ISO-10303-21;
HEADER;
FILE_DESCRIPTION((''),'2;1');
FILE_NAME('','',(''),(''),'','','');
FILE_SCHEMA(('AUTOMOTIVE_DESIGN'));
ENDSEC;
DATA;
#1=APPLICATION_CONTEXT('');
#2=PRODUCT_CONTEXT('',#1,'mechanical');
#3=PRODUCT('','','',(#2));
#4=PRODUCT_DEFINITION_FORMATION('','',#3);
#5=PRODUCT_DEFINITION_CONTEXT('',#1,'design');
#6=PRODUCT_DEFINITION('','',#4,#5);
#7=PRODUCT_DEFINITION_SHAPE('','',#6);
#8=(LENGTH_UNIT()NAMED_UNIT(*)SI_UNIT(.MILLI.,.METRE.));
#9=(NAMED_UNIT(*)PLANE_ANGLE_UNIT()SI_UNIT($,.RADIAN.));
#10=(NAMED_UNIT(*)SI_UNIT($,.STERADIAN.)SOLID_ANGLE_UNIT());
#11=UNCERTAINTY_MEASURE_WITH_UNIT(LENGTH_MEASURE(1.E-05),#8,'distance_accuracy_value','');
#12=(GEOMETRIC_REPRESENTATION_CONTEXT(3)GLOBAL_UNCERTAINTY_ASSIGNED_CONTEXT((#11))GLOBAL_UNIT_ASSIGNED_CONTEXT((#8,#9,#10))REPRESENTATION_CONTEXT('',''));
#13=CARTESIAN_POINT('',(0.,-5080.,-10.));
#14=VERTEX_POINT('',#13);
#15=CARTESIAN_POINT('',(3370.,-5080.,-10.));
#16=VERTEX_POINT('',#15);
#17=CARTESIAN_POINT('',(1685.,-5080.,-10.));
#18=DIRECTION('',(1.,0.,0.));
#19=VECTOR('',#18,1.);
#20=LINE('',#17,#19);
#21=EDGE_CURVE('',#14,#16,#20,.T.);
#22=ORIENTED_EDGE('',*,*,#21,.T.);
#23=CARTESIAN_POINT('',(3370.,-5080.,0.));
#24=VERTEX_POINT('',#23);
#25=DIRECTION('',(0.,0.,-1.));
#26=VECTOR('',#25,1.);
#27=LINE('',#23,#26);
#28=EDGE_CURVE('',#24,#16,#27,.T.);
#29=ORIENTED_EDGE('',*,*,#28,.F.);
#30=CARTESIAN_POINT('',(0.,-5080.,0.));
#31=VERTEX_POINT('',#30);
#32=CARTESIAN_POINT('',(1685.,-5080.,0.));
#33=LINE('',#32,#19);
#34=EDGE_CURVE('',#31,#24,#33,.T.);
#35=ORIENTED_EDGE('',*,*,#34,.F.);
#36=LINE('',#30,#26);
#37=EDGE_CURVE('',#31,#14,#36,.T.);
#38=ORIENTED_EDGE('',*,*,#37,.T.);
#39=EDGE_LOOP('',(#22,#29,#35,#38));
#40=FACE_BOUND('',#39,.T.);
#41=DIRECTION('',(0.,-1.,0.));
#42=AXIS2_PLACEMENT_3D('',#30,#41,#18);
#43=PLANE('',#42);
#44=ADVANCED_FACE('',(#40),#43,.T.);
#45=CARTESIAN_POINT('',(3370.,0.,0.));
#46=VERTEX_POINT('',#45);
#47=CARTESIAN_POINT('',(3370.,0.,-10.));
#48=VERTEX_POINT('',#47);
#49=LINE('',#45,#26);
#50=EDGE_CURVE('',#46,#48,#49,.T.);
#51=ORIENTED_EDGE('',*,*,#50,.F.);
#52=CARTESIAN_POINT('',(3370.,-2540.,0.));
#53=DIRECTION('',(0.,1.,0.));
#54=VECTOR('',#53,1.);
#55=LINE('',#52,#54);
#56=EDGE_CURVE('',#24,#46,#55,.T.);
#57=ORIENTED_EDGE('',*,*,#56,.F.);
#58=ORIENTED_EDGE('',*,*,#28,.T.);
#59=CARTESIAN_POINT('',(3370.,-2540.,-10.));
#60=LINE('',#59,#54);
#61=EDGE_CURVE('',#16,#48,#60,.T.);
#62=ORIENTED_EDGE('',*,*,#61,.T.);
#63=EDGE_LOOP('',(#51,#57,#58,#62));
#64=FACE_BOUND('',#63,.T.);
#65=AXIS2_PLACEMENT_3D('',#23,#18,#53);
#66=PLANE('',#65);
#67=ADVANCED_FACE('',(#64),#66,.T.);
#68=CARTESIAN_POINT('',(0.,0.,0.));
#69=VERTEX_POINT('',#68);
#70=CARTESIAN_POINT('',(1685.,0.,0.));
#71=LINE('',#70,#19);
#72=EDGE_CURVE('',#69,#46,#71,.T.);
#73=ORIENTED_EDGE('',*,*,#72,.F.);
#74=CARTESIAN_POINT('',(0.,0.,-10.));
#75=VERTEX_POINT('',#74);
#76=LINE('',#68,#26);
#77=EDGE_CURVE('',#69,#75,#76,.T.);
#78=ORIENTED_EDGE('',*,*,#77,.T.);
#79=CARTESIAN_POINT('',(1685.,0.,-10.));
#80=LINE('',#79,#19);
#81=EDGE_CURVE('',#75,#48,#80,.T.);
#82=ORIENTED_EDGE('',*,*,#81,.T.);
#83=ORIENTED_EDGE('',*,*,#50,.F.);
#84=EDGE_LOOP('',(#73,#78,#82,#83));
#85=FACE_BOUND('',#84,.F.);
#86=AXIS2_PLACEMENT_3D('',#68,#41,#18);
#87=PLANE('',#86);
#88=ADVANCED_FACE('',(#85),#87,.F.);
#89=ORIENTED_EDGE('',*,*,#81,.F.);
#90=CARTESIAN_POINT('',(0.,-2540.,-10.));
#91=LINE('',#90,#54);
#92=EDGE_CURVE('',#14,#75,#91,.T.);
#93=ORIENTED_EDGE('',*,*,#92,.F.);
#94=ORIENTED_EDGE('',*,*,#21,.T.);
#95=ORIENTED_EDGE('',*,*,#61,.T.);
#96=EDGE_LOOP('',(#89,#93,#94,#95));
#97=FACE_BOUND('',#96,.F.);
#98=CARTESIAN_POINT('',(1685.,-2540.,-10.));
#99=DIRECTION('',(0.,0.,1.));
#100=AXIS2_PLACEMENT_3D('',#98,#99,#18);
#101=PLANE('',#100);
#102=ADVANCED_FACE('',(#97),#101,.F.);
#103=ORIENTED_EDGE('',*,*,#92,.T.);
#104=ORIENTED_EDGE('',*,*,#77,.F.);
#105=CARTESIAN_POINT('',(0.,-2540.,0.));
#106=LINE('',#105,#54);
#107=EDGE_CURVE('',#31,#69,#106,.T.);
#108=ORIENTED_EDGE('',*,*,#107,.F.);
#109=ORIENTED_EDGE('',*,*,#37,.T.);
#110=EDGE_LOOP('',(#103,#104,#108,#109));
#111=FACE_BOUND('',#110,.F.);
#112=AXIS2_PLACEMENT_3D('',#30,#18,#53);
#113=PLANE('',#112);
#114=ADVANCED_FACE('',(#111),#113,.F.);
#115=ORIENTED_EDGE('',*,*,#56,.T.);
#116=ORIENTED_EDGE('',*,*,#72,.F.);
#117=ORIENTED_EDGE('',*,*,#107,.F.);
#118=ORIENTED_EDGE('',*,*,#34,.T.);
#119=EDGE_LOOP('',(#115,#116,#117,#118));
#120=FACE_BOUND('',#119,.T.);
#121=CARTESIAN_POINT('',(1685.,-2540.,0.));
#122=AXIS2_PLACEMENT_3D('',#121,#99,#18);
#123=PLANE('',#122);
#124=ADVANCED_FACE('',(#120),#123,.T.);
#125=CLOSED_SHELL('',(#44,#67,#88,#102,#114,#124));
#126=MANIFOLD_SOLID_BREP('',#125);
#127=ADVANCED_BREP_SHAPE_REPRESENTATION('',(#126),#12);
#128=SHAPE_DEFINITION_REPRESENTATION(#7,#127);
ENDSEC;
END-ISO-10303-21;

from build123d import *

# Parameters (mm, degrees)
SKETCH_W  = 3370
SKETCH_H  = 5080
PAD_DEPTH = 10


with BuildPart() as part:
    # Sketch → Pad (new body)
    with BuildSketch(Plane.XY):
        with Locations((1685, -2540)):
            Rectangle(SKETCH_W, SKETCH_H)
    extrude(amount=-PAD_DEPTH)


solid = part.part
